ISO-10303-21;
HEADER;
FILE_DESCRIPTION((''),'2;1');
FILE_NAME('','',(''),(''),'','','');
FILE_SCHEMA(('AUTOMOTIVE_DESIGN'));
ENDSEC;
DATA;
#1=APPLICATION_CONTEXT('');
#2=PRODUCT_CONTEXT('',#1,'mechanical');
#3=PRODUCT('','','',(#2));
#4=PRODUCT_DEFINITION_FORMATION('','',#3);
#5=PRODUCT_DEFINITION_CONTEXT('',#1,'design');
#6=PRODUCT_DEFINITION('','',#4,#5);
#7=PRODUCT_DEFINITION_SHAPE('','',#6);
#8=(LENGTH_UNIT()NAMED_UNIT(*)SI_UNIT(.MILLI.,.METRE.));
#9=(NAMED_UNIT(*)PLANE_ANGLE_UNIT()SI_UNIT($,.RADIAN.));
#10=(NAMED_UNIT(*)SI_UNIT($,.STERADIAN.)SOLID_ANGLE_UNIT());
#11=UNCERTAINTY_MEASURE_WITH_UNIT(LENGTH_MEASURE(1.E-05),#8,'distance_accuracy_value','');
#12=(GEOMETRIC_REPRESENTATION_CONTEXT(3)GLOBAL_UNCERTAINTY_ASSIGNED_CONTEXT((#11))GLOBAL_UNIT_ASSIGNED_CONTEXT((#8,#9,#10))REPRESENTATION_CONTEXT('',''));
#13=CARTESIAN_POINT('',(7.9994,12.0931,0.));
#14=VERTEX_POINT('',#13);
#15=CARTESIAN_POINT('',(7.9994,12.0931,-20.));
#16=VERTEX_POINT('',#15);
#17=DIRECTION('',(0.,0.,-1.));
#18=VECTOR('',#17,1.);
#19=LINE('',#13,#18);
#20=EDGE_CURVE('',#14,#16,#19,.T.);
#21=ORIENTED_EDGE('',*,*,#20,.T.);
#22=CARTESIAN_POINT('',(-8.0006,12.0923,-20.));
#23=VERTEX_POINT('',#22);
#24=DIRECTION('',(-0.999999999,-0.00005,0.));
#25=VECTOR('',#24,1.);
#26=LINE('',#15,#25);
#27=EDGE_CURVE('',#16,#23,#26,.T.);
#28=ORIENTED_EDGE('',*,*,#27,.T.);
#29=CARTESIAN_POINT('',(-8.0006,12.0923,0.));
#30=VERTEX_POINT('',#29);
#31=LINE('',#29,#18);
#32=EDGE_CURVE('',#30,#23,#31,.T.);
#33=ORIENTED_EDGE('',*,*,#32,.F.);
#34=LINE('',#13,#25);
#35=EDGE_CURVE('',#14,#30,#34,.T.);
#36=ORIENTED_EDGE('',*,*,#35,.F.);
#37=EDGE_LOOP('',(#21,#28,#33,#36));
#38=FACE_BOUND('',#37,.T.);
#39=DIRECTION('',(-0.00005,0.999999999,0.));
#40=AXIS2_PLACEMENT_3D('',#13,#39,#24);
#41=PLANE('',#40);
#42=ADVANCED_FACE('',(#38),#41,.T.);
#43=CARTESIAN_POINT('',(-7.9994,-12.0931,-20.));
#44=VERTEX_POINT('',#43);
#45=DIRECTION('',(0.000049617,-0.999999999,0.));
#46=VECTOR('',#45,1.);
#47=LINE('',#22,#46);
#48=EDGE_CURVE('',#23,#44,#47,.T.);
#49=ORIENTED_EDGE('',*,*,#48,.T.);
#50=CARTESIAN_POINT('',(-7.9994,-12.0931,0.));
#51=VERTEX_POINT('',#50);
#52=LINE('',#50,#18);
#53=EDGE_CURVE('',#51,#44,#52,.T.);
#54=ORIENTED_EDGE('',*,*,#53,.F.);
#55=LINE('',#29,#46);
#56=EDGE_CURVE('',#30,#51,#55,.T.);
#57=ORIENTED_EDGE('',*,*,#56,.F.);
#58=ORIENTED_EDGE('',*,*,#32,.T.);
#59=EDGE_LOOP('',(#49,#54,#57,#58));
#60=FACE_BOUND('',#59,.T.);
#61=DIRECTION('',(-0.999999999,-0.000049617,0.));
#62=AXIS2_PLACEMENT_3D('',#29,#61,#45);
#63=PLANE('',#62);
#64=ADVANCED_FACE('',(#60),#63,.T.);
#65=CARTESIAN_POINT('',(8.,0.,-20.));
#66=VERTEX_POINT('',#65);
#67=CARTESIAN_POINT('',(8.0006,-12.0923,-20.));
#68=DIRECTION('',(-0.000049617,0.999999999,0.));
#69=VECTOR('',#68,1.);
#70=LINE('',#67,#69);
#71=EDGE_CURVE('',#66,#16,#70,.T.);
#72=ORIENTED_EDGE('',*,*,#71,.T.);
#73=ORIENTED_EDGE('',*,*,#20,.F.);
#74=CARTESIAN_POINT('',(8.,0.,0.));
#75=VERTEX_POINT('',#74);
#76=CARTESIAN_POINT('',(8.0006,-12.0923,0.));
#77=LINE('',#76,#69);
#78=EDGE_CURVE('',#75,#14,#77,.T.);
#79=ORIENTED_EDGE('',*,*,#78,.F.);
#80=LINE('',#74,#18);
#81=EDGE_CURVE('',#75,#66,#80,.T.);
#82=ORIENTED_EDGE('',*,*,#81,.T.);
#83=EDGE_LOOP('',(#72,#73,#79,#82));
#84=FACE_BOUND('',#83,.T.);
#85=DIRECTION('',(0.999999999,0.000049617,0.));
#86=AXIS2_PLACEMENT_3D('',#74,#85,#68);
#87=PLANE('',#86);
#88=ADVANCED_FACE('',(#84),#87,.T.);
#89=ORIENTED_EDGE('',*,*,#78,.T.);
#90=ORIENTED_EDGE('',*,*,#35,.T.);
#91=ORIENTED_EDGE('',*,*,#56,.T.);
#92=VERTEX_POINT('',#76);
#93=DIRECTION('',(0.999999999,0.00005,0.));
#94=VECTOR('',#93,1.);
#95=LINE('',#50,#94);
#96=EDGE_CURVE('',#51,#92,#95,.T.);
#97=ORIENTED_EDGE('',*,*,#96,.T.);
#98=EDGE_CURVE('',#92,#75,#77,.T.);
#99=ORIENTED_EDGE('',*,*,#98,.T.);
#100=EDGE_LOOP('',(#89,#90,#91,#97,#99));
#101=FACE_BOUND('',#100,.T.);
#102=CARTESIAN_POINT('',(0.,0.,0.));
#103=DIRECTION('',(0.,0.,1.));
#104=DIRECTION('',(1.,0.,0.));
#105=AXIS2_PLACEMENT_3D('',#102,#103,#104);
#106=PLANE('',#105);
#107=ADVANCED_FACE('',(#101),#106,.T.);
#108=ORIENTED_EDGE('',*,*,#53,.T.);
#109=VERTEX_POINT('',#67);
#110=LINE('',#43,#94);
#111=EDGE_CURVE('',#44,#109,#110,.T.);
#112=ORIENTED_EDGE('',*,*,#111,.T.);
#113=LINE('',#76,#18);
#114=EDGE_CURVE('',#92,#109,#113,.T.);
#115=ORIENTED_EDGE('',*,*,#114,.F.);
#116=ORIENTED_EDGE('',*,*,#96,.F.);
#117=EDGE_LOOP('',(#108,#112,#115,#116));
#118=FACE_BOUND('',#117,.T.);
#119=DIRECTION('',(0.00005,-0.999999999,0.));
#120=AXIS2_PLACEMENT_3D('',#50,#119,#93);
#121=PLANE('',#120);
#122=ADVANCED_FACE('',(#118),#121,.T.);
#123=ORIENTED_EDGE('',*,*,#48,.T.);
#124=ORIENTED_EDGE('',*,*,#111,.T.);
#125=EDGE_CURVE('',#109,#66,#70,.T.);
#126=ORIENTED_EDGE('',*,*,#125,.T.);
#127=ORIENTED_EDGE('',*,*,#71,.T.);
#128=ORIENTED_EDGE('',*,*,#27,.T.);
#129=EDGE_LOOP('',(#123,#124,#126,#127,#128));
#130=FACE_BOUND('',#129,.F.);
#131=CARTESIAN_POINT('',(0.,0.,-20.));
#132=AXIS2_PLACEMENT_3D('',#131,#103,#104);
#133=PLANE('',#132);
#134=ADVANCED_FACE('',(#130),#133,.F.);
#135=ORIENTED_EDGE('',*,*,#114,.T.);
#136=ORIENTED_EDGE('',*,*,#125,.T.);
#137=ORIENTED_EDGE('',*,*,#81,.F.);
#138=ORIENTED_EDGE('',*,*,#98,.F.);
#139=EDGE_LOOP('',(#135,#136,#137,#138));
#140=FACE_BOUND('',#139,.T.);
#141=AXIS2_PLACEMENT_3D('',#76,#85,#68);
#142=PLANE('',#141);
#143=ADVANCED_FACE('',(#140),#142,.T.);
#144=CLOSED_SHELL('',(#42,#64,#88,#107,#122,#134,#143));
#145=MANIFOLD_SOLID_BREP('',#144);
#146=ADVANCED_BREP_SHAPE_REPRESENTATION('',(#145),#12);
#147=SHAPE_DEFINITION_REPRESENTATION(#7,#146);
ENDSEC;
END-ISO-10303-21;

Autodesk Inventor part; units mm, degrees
ref_plane "YZ Plane" through (0, 0, 0) normal (1, 0, 0) x (0, 1, 0)
ref_plane "XZ Plane" through (0, 0, 0) normal (0, 1, 0) x (-1, 0, 0)
ref_plane "XY Plane" through (0, 0, 0) normal (0, 0, 1) x (1, 0, 0)
ref_plane "Work Plane2" through (0, 0, 0) normal (0, 0, 1) x (1, 0, 0)
sketch "Sketch1" plane through (0, 0, 0) normal (0, 0, 1) x (1, 0, 0)
  line L0 (-0.0117, -20.0006) -> (-0.012, -20.0006)
  line L1 (-14.2652, 14.2822) -> (-14.2652, 14.1579)
  line L2 (11.2397, 17.0322) -> (11.2387, 17.0322)
  line L3 (13.9887, 16.9079) -> (13.9887, 17.0322)
  line L4 (0, 0) -> (8, 0)
  line L5 (-0.0117, -18.8998) -> (-0.0117, -18.8993)
  line L6 (-0.0117, -18.8998) -> (11.2397, -18.8993)
  line L7 (16.1373, -14.0168) -> (16.1373, 14.2822)
  line L8 (11.2275, 19.0322) -> (-11.2913, 19.0322)
  line L9 (-16.2652, 14.1579) -> (-16.2652, -14.1446)
  line L10 (-11.2913, 19.0322) -> (11.2275, 19.0322)
  line L11 (11.2397, -18.8993) -> (-11.3582, -18.8993)
  line L12 (13.9887, 14.2822) -> (11.2275, 14.27)
  line L13 (-11.2913, 14.1579) -> (-14.2652, 14.1579)
  line L14 (11.2275, 19.0322) -> (11.2275, 14.27)
  line L15 (11.2397, -14.0168) -> (11.2397, -18.8993)
  line L16 (-11.3582, -18.8993) -> (-11.3582, -14.1381)
  line L17 (-11.2913, 14.1579) -> (-11.2913, 19.0322)
  line L18 (-12.7398, -14.1446) -> (-11.3582, -14.1381)
  line L19 (11.2397, -14.0168) -> (14.1373, -14.0168)
  line L20 (18.0012, -16.7666) -> (18.0012, -16.9004)
  line L21 (17.9998, -0.0855) -> (18.0002, 0)
  line L22 (18, 16.9079) -> (18, 17.0322)
  line L23 (18.0671, 19.0322) -> (18.0671, 19.9991)
  line L24 (13.9887, 19.9331) -> (13.9887, 19.9331)
  line L25 (-0.0117, 19.9998) -> (0.1781, 19.9998)
  line L26 (-18, 20) -> (-17.9861, 20)
  line L27 (-14.2652, 20.0091) -> (-14.2559, 20.0091)
  line L28 (-18, 16.9079) -> (-18, 17.0322)
  line L29 (-17.9852, -16.7683) -> (-17.983, -16.9196)
  line L30 (-12.7398, -14.1446) -> (-16.2652, -14.1446)
  line L31 (-14.2652, 14.1579) -> (-16.2652, 14.1579)
  line L32 (13.9887, 14.2822) -> (16.1373, 14.2822)
  line L33 (14.1373, -14.0168) -> (16.1373, -14.0168)
  line L34 (-14.1063, -16.9012) -> (-13.9534, -16.9004)
  line L35 (-14.2559, -18.8993) -> (-14.2559, -18.9004)
  line L36 (-11.3582, -16.8881) -> (-11.2913, -16.8878)
  line L37 (11.2275, -16.7807) -> (11.2397, -16.7806)
  line L38 (-7.9994, -12.0931) -> (8.0006, -12.0923)
  line L39 (8.0006, -12.0923) -> (7.9994, 12.0931)
  line L40 (7.9994, 12.0931) -> (-8.0006, 12.0923)
  line L41 (-8.0006, 12.0923) -> (-7.9994, -12.0931)
  line L42 (-7.9994, -12.0931) -> (7.9994, 12.0931) construction
  line L43 (8.0006, -12.0923) -> (-8.0006, 12.0923) construction
  dimension "d11" = 8
extrude "Extrusion1" add sketch "Sketch1" against normal blind 20 contours L41 L40 L39 L38
properties part number "filament_feeder"
